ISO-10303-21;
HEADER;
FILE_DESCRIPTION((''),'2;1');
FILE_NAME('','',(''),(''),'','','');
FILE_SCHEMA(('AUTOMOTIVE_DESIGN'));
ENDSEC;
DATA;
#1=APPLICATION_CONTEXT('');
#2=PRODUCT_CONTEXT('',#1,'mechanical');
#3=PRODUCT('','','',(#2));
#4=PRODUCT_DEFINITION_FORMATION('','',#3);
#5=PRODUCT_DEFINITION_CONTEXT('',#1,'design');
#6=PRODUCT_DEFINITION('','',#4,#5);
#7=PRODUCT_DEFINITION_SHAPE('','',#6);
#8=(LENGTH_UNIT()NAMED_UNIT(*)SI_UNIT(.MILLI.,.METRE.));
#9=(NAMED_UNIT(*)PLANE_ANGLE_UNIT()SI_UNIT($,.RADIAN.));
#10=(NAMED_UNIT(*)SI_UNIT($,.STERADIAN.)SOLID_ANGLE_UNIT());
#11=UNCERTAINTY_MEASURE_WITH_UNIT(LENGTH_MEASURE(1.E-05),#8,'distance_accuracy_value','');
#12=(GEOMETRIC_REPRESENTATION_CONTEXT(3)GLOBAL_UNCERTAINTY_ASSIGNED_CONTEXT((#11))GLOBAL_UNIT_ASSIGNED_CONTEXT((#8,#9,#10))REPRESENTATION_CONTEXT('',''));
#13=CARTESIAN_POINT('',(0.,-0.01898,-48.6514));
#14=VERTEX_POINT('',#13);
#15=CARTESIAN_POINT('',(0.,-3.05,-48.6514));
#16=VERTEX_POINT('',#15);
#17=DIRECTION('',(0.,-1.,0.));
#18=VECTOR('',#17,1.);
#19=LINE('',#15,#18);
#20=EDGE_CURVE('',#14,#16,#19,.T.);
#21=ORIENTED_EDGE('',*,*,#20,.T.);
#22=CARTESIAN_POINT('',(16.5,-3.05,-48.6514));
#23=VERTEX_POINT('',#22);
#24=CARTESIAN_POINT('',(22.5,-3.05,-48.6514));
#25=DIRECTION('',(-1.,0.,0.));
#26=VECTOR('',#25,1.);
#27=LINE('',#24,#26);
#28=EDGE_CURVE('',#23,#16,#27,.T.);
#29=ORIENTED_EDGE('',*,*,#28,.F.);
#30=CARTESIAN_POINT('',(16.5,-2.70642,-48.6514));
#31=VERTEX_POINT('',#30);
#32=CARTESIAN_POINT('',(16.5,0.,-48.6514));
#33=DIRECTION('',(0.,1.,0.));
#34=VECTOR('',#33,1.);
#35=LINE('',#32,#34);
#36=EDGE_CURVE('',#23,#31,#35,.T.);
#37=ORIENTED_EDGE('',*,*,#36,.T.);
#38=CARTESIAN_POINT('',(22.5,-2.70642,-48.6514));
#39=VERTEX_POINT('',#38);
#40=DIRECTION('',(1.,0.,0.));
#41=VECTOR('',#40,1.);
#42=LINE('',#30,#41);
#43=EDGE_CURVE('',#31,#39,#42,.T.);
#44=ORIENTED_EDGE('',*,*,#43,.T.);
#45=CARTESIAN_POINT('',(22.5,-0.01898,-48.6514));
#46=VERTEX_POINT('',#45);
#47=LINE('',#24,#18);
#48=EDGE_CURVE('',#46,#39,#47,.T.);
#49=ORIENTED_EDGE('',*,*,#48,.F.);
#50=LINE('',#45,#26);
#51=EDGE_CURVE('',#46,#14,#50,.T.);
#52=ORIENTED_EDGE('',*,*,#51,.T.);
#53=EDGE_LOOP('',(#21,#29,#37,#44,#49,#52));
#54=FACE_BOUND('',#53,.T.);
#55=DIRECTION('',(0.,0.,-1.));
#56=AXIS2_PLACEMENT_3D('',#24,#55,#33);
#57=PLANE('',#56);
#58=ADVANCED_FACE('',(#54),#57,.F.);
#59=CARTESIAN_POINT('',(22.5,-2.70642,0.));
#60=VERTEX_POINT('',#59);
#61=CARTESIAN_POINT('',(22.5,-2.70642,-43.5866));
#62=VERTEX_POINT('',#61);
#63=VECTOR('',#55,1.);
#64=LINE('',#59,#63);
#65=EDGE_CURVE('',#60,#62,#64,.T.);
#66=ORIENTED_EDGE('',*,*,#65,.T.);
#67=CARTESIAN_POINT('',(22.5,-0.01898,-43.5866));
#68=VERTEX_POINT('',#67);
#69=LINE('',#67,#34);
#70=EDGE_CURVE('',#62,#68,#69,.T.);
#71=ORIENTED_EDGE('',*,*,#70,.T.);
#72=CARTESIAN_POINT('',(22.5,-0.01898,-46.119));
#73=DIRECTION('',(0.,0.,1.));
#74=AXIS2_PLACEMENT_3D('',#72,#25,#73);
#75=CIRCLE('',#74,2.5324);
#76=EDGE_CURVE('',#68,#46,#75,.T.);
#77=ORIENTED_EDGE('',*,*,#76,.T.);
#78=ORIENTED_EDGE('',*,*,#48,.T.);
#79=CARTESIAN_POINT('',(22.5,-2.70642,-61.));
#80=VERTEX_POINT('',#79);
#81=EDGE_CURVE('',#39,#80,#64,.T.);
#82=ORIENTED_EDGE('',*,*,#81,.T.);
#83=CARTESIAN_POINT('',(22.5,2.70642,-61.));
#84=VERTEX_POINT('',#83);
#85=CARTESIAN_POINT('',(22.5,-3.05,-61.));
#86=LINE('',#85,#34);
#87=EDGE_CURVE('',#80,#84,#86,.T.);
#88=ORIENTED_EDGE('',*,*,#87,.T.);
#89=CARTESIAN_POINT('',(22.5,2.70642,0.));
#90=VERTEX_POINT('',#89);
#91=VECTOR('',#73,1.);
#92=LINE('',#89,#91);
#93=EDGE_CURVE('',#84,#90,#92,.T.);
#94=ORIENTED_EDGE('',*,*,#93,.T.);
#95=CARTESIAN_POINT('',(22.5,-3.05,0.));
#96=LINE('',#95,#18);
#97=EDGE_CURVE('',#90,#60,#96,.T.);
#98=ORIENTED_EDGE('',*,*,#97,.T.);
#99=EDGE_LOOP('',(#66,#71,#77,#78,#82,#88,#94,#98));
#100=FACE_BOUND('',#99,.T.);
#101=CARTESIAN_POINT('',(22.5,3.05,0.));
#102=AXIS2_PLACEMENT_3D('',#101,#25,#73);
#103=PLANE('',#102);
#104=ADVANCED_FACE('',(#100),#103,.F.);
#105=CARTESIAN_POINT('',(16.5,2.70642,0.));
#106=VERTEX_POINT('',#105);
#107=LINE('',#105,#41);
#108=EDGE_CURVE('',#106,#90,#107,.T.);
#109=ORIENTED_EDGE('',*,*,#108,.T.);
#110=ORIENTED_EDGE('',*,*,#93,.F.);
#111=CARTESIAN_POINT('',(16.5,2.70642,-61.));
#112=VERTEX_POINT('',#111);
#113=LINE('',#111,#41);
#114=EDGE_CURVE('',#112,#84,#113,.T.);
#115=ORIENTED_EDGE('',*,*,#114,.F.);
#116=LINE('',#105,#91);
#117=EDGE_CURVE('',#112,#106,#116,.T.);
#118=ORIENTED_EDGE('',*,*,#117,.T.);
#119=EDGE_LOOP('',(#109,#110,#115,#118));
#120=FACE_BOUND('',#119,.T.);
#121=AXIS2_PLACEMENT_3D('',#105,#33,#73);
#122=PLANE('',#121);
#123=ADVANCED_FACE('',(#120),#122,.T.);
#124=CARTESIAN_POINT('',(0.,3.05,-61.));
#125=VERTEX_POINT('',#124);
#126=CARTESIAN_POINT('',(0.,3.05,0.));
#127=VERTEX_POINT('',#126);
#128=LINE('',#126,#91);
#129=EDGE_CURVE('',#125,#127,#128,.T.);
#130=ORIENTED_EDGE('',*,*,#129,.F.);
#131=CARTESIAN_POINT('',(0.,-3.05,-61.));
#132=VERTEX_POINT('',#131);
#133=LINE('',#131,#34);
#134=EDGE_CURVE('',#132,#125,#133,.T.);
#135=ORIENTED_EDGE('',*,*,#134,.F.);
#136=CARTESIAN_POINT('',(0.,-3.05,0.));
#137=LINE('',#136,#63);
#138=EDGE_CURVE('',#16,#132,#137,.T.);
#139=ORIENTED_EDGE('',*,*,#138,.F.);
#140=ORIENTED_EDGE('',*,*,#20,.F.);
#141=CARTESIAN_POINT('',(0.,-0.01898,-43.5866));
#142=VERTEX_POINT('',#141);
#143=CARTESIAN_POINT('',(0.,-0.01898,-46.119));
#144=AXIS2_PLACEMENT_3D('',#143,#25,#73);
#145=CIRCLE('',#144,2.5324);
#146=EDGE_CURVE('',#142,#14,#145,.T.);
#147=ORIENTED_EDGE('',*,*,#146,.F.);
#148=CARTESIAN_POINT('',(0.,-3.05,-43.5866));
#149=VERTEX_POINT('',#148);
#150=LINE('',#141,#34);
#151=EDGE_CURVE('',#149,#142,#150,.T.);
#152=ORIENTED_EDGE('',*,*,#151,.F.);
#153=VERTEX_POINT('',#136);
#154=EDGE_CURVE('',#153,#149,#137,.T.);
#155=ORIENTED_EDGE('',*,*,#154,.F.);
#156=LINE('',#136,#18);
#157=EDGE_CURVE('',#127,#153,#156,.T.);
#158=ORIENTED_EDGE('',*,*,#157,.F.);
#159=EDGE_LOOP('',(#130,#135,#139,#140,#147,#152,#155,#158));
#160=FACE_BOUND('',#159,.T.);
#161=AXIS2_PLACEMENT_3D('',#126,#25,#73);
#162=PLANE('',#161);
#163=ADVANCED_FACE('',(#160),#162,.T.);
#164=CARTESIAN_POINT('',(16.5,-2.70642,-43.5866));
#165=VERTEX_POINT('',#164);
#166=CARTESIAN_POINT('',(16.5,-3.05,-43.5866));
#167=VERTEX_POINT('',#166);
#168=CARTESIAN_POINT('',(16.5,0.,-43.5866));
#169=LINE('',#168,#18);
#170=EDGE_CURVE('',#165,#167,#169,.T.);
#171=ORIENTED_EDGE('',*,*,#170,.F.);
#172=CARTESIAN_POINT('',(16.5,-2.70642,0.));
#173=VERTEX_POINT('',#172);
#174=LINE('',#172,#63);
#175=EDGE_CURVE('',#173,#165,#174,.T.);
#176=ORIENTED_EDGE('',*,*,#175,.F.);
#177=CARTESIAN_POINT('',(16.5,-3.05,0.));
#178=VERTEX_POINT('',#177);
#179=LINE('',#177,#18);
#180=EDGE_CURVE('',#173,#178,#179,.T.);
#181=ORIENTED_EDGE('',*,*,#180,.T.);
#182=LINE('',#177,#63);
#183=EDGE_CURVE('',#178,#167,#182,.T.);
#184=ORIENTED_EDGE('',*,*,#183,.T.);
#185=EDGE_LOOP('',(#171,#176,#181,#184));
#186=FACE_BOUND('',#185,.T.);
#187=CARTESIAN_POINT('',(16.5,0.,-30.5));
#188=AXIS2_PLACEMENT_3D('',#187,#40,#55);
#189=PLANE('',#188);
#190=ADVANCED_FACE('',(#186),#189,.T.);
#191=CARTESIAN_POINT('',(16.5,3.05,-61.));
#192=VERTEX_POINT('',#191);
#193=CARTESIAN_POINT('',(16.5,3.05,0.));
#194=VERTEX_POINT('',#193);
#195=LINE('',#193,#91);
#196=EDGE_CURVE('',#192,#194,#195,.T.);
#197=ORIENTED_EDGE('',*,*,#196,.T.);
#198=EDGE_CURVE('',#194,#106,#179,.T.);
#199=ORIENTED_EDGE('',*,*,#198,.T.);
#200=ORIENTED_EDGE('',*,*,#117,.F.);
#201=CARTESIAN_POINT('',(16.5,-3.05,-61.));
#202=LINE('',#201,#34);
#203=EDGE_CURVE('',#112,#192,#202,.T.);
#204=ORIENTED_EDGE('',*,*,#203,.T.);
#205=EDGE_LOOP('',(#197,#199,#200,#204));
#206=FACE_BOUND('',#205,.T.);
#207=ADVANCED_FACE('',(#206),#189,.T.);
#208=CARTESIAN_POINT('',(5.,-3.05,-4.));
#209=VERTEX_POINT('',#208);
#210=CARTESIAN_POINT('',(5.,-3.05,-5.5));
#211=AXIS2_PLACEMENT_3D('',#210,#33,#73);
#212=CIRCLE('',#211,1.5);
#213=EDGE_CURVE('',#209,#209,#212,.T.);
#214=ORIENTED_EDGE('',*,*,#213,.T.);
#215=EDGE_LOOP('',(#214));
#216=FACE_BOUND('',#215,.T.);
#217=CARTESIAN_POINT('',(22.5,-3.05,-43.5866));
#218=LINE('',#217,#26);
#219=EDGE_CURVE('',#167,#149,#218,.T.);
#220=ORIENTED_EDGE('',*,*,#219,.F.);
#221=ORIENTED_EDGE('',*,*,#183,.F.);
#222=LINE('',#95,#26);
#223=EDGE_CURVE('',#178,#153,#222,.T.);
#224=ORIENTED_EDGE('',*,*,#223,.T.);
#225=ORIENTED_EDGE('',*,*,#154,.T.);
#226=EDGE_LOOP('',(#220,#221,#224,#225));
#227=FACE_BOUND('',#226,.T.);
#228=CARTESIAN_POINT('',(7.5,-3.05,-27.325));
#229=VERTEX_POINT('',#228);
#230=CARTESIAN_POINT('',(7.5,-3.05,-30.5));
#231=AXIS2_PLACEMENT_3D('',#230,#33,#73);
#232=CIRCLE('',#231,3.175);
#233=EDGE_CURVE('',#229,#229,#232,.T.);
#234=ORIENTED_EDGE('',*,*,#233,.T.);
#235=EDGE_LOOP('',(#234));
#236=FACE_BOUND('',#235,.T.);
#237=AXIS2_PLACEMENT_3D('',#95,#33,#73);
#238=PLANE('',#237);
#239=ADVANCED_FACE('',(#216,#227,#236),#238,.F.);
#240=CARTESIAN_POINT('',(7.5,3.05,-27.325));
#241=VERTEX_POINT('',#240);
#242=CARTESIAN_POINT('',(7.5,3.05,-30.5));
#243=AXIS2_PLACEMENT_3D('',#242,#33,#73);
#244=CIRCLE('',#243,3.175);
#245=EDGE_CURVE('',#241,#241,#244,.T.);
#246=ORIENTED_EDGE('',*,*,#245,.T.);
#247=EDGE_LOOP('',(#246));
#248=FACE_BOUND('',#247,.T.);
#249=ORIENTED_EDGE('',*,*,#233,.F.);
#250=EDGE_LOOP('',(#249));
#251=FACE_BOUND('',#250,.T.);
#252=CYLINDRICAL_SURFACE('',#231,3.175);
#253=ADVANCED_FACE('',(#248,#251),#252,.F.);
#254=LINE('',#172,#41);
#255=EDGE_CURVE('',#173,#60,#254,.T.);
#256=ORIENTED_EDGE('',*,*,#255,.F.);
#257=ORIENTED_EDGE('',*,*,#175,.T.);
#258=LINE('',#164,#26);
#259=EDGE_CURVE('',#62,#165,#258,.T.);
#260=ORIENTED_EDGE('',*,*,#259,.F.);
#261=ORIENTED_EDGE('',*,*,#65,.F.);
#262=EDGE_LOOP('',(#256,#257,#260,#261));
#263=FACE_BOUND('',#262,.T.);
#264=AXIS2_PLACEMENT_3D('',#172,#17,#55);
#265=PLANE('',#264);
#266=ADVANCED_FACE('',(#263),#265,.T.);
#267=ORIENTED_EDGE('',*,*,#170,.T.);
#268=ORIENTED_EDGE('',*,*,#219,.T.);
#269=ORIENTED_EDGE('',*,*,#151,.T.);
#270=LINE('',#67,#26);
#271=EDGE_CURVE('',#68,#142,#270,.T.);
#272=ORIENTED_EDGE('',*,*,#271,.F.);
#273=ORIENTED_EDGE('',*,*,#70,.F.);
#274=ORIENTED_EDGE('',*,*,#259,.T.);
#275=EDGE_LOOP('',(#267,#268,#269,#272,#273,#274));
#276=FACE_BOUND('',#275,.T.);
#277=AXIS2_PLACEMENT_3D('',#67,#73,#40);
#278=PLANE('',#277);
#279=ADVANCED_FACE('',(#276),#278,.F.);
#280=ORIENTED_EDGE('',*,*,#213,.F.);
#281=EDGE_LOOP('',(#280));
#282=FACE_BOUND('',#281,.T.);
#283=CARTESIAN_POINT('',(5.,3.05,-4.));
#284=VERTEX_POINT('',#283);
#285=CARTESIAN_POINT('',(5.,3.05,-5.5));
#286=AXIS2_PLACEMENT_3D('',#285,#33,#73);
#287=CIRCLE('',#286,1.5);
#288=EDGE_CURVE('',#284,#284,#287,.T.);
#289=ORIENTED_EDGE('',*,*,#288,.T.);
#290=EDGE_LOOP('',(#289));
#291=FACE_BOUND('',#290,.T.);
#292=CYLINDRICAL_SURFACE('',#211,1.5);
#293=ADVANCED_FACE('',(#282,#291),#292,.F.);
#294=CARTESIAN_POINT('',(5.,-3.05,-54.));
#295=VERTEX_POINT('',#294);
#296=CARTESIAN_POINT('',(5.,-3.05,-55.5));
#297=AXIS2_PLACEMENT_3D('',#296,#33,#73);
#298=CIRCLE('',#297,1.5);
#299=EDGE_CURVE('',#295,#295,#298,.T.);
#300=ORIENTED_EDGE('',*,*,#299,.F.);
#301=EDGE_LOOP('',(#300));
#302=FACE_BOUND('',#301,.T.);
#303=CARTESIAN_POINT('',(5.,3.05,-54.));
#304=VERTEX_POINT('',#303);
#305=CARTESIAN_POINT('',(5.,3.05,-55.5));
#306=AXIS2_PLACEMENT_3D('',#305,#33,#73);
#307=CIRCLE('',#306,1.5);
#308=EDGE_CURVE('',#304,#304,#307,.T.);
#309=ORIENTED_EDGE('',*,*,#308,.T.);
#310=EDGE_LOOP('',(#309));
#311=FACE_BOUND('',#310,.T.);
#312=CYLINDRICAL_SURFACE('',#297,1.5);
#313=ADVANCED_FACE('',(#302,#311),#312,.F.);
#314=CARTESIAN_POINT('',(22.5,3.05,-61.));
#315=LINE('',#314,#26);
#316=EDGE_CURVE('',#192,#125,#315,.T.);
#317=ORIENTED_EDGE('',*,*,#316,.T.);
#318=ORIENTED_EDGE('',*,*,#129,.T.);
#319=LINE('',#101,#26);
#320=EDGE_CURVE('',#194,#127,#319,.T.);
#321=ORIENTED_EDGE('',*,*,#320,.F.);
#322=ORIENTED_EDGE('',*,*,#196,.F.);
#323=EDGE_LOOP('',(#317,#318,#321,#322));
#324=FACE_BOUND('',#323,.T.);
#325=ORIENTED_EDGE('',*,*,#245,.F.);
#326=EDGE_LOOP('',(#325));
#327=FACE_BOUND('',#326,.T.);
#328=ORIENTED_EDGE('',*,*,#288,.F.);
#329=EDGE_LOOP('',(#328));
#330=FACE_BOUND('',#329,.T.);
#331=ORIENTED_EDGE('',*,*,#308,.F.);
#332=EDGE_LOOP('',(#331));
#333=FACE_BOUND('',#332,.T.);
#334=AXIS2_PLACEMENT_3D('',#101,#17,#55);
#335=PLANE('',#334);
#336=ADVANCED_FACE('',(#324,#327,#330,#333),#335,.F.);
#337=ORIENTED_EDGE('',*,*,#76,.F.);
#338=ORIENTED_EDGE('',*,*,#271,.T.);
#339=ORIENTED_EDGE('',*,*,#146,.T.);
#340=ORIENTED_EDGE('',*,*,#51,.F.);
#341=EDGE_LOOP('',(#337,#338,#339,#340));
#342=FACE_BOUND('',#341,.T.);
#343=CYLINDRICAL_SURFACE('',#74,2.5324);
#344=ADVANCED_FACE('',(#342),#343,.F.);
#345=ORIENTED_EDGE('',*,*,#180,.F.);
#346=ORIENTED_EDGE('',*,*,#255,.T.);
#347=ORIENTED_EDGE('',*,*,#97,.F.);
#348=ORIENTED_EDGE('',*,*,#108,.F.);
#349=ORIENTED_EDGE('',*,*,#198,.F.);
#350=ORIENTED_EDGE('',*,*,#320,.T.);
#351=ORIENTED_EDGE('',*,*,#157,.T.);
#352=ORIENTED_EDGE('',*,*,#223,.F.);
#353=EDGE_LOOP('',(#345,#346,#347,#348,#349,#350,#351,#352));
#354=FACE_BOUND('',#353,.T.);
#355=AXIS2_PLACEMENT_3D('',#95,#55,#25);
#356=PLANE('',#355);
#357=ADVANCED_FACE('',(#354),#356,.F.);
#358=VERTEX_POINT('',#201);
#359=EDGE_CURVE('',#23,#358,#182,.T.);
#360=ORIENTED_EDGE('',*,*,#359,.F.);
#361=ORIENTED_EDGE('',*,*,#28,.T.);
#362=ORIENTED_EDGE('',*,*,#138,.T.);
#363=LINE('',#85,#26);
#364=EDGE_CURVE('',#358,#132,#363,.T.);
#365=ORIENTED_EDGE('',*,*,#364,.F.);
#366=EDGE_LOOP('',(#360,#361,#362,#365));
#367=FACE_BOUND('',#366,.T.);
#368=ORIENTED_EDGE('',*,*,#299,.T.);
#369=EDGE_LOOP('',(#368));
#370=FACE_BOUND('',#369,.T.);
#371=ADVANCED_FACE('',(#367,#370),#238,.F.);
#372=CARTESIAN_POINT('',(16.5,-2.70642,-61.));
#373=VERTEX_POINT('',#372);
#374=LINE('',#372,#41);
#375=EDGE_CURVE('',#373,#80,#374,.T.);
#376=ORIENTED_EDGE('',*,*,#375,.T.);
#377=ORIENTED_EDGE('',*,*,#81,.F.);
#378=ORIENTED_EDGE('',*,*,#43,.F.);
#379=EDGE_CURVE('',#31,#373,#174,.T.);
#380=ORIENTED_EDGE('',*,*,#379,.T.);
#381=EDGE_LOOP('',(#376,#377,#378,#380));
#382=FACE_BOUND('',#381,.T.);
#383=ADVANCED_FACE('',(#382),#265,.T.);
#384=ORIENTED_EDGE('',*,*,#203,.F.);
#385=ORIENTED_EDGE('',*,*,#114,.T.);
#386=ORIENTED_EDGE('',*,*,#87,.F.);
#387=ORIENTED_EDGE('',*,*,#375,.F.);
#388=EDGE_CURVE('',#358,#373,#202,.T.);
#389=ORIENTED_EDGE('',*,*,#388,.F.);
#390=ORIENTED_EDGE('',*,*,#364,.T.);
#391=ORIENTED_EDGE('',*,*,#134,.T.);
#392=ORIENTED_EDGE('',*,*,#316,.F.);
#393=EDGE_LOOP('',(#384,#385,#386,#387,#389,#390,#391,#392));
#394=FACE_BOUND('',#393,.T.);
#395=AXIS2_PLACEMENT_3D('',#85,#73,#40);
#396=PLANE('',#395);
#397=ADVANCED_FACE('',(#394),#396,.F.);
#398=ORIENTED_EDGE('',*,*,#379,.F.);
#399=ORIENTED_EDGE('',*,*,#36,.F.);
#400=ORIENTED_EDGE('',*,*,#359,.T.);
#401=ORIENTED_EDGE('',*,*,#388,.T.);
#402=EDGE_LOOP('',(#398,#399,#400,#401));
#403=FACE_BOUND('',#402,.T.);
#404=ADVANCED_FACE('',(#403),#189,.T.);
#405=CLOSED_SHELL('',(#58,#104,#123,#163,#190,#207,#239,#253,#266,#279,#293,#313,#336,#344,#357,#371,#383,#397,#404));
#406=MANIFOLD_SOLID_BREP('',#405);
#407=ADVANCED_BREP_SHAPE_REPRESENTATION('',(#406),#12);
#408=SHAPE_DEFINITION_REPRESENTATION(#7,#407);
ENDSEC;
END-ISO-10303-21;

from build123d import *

# Parameters (mm, degrees)
SKETCH1_W           = 61
SKETCH1_H           = 6.1
BOSS_EXTRUDE1_DEPTH = 22.5
SKETCH2_OUTSIDE_W   = 76.06
SKETCH2_OUTSIDE_H   = 21.16
SKETCH2_OUTSIDE_W_2 = 61
SKETCH2_OUTSIDE_H_2 = 5.41284
CUT_EXTRUDE1_DEPTH  = 6
CUT_EXTRUDE3_DEPTH  = 23.5
SKETCH6_R           = 3.175
CUT_EXTRUDE4_DEPTH  = 7.1
SKETCH7_R           = 1.5
CUT_EXTRUDE5_DEPTH  = 7.1


with BuildPart() as part:
    # Sketch1 → Boss-Extrude1 (new body)
    with BuildSketch(Plane(origin=(0, 0, 0), x_dir=(0, 0, -1), z_dir=(1, 0, 0))):
        with Locations((30.5, 0)):
            Rectangle(SKETCH1_W, SKETCH1_H)
    extrude(amount=BOSS_EXTRUDE1_DEPTH)

    # Sketch2 outside → Cut-Extrude1 (cut)
    with BuildSketch(Plane(origin=(22.5, 0, 0), x_dir=(0, 0, -1), z_dir=(1, 0, 0))):
        with Locations((30.5, 0)):
            Rectangle(SKETCH2_OUTSIDE_W, SKETCH2_OUTSIDE_H)
        with Locations((30.5, 0)):
            Rectangle(SKETCH2_OUTSIDE_W_2, SKETCH2_OUTSIDE_H_2, mode=Mode.SUBTRACT)
    extrude(amount=-CUT_EXTRUDE1_DEPTH, mode=Mode.SUBTRACT)

    # Sketch5 → Cut-Extrude3 (cut, through all)
    with BuildSketch(Plane.ZY):
        with BuildLine():
            Line((-43.5866, -0.01898), (-43.5866, -3.05))
            Line((-43.5866, -3.05), (-48.6514, -3.05))
            Line((-48.6514, -3.05), (-48.6514, -0.01898))
            ThreePointArc((-48.6514, -0.01898), (-46.119, 2.51342), (-43.5866, -0.01898))
        make_face()
    extrude(amount=-CUT_EXTRUDE3_DEPTH, mode=Mode.SUBTRACT)

    # Sketch6 → Cut-Extrude4 (cut, through all)
    with BuildSketch(Plane(origin=(0, 3.05, 0), x_dir=(1, 0, 0), z_dir=(0, 1, 0))):
        with Locations(Location((7.5, 30.5, 0), (0, 0, 270))):  # turned: the seam where the file's is
            Circle(SKETCH6_R)
    extrude(amount=-CUT_EXTRUDE4_DEPTH, mode=Mode.SUBTRACT)

    # Sketch7 → Cut-Extrude5 (cut, through all)
    with BuildSketch(Plane(origin=(0, 3.05, 0), x_dir=(1, 0, 0), z_dir=(0, 1, 0))):
        with Locations(Location((5, 55.5, 0), (0, 0, 270))):  # turned: the seam where the file's is
            Circle(SKETCH7_R)
        with Locations(Location((5, 5.5, 0), (0, 0, 270))):  # turned: the seam where the file's is
            Circle(SKETCH7_R)
    extrude(amount=-CUT_EXTRUDE5_DEPTH, mode=Mode.SUBTRACT)


solid = part.part
